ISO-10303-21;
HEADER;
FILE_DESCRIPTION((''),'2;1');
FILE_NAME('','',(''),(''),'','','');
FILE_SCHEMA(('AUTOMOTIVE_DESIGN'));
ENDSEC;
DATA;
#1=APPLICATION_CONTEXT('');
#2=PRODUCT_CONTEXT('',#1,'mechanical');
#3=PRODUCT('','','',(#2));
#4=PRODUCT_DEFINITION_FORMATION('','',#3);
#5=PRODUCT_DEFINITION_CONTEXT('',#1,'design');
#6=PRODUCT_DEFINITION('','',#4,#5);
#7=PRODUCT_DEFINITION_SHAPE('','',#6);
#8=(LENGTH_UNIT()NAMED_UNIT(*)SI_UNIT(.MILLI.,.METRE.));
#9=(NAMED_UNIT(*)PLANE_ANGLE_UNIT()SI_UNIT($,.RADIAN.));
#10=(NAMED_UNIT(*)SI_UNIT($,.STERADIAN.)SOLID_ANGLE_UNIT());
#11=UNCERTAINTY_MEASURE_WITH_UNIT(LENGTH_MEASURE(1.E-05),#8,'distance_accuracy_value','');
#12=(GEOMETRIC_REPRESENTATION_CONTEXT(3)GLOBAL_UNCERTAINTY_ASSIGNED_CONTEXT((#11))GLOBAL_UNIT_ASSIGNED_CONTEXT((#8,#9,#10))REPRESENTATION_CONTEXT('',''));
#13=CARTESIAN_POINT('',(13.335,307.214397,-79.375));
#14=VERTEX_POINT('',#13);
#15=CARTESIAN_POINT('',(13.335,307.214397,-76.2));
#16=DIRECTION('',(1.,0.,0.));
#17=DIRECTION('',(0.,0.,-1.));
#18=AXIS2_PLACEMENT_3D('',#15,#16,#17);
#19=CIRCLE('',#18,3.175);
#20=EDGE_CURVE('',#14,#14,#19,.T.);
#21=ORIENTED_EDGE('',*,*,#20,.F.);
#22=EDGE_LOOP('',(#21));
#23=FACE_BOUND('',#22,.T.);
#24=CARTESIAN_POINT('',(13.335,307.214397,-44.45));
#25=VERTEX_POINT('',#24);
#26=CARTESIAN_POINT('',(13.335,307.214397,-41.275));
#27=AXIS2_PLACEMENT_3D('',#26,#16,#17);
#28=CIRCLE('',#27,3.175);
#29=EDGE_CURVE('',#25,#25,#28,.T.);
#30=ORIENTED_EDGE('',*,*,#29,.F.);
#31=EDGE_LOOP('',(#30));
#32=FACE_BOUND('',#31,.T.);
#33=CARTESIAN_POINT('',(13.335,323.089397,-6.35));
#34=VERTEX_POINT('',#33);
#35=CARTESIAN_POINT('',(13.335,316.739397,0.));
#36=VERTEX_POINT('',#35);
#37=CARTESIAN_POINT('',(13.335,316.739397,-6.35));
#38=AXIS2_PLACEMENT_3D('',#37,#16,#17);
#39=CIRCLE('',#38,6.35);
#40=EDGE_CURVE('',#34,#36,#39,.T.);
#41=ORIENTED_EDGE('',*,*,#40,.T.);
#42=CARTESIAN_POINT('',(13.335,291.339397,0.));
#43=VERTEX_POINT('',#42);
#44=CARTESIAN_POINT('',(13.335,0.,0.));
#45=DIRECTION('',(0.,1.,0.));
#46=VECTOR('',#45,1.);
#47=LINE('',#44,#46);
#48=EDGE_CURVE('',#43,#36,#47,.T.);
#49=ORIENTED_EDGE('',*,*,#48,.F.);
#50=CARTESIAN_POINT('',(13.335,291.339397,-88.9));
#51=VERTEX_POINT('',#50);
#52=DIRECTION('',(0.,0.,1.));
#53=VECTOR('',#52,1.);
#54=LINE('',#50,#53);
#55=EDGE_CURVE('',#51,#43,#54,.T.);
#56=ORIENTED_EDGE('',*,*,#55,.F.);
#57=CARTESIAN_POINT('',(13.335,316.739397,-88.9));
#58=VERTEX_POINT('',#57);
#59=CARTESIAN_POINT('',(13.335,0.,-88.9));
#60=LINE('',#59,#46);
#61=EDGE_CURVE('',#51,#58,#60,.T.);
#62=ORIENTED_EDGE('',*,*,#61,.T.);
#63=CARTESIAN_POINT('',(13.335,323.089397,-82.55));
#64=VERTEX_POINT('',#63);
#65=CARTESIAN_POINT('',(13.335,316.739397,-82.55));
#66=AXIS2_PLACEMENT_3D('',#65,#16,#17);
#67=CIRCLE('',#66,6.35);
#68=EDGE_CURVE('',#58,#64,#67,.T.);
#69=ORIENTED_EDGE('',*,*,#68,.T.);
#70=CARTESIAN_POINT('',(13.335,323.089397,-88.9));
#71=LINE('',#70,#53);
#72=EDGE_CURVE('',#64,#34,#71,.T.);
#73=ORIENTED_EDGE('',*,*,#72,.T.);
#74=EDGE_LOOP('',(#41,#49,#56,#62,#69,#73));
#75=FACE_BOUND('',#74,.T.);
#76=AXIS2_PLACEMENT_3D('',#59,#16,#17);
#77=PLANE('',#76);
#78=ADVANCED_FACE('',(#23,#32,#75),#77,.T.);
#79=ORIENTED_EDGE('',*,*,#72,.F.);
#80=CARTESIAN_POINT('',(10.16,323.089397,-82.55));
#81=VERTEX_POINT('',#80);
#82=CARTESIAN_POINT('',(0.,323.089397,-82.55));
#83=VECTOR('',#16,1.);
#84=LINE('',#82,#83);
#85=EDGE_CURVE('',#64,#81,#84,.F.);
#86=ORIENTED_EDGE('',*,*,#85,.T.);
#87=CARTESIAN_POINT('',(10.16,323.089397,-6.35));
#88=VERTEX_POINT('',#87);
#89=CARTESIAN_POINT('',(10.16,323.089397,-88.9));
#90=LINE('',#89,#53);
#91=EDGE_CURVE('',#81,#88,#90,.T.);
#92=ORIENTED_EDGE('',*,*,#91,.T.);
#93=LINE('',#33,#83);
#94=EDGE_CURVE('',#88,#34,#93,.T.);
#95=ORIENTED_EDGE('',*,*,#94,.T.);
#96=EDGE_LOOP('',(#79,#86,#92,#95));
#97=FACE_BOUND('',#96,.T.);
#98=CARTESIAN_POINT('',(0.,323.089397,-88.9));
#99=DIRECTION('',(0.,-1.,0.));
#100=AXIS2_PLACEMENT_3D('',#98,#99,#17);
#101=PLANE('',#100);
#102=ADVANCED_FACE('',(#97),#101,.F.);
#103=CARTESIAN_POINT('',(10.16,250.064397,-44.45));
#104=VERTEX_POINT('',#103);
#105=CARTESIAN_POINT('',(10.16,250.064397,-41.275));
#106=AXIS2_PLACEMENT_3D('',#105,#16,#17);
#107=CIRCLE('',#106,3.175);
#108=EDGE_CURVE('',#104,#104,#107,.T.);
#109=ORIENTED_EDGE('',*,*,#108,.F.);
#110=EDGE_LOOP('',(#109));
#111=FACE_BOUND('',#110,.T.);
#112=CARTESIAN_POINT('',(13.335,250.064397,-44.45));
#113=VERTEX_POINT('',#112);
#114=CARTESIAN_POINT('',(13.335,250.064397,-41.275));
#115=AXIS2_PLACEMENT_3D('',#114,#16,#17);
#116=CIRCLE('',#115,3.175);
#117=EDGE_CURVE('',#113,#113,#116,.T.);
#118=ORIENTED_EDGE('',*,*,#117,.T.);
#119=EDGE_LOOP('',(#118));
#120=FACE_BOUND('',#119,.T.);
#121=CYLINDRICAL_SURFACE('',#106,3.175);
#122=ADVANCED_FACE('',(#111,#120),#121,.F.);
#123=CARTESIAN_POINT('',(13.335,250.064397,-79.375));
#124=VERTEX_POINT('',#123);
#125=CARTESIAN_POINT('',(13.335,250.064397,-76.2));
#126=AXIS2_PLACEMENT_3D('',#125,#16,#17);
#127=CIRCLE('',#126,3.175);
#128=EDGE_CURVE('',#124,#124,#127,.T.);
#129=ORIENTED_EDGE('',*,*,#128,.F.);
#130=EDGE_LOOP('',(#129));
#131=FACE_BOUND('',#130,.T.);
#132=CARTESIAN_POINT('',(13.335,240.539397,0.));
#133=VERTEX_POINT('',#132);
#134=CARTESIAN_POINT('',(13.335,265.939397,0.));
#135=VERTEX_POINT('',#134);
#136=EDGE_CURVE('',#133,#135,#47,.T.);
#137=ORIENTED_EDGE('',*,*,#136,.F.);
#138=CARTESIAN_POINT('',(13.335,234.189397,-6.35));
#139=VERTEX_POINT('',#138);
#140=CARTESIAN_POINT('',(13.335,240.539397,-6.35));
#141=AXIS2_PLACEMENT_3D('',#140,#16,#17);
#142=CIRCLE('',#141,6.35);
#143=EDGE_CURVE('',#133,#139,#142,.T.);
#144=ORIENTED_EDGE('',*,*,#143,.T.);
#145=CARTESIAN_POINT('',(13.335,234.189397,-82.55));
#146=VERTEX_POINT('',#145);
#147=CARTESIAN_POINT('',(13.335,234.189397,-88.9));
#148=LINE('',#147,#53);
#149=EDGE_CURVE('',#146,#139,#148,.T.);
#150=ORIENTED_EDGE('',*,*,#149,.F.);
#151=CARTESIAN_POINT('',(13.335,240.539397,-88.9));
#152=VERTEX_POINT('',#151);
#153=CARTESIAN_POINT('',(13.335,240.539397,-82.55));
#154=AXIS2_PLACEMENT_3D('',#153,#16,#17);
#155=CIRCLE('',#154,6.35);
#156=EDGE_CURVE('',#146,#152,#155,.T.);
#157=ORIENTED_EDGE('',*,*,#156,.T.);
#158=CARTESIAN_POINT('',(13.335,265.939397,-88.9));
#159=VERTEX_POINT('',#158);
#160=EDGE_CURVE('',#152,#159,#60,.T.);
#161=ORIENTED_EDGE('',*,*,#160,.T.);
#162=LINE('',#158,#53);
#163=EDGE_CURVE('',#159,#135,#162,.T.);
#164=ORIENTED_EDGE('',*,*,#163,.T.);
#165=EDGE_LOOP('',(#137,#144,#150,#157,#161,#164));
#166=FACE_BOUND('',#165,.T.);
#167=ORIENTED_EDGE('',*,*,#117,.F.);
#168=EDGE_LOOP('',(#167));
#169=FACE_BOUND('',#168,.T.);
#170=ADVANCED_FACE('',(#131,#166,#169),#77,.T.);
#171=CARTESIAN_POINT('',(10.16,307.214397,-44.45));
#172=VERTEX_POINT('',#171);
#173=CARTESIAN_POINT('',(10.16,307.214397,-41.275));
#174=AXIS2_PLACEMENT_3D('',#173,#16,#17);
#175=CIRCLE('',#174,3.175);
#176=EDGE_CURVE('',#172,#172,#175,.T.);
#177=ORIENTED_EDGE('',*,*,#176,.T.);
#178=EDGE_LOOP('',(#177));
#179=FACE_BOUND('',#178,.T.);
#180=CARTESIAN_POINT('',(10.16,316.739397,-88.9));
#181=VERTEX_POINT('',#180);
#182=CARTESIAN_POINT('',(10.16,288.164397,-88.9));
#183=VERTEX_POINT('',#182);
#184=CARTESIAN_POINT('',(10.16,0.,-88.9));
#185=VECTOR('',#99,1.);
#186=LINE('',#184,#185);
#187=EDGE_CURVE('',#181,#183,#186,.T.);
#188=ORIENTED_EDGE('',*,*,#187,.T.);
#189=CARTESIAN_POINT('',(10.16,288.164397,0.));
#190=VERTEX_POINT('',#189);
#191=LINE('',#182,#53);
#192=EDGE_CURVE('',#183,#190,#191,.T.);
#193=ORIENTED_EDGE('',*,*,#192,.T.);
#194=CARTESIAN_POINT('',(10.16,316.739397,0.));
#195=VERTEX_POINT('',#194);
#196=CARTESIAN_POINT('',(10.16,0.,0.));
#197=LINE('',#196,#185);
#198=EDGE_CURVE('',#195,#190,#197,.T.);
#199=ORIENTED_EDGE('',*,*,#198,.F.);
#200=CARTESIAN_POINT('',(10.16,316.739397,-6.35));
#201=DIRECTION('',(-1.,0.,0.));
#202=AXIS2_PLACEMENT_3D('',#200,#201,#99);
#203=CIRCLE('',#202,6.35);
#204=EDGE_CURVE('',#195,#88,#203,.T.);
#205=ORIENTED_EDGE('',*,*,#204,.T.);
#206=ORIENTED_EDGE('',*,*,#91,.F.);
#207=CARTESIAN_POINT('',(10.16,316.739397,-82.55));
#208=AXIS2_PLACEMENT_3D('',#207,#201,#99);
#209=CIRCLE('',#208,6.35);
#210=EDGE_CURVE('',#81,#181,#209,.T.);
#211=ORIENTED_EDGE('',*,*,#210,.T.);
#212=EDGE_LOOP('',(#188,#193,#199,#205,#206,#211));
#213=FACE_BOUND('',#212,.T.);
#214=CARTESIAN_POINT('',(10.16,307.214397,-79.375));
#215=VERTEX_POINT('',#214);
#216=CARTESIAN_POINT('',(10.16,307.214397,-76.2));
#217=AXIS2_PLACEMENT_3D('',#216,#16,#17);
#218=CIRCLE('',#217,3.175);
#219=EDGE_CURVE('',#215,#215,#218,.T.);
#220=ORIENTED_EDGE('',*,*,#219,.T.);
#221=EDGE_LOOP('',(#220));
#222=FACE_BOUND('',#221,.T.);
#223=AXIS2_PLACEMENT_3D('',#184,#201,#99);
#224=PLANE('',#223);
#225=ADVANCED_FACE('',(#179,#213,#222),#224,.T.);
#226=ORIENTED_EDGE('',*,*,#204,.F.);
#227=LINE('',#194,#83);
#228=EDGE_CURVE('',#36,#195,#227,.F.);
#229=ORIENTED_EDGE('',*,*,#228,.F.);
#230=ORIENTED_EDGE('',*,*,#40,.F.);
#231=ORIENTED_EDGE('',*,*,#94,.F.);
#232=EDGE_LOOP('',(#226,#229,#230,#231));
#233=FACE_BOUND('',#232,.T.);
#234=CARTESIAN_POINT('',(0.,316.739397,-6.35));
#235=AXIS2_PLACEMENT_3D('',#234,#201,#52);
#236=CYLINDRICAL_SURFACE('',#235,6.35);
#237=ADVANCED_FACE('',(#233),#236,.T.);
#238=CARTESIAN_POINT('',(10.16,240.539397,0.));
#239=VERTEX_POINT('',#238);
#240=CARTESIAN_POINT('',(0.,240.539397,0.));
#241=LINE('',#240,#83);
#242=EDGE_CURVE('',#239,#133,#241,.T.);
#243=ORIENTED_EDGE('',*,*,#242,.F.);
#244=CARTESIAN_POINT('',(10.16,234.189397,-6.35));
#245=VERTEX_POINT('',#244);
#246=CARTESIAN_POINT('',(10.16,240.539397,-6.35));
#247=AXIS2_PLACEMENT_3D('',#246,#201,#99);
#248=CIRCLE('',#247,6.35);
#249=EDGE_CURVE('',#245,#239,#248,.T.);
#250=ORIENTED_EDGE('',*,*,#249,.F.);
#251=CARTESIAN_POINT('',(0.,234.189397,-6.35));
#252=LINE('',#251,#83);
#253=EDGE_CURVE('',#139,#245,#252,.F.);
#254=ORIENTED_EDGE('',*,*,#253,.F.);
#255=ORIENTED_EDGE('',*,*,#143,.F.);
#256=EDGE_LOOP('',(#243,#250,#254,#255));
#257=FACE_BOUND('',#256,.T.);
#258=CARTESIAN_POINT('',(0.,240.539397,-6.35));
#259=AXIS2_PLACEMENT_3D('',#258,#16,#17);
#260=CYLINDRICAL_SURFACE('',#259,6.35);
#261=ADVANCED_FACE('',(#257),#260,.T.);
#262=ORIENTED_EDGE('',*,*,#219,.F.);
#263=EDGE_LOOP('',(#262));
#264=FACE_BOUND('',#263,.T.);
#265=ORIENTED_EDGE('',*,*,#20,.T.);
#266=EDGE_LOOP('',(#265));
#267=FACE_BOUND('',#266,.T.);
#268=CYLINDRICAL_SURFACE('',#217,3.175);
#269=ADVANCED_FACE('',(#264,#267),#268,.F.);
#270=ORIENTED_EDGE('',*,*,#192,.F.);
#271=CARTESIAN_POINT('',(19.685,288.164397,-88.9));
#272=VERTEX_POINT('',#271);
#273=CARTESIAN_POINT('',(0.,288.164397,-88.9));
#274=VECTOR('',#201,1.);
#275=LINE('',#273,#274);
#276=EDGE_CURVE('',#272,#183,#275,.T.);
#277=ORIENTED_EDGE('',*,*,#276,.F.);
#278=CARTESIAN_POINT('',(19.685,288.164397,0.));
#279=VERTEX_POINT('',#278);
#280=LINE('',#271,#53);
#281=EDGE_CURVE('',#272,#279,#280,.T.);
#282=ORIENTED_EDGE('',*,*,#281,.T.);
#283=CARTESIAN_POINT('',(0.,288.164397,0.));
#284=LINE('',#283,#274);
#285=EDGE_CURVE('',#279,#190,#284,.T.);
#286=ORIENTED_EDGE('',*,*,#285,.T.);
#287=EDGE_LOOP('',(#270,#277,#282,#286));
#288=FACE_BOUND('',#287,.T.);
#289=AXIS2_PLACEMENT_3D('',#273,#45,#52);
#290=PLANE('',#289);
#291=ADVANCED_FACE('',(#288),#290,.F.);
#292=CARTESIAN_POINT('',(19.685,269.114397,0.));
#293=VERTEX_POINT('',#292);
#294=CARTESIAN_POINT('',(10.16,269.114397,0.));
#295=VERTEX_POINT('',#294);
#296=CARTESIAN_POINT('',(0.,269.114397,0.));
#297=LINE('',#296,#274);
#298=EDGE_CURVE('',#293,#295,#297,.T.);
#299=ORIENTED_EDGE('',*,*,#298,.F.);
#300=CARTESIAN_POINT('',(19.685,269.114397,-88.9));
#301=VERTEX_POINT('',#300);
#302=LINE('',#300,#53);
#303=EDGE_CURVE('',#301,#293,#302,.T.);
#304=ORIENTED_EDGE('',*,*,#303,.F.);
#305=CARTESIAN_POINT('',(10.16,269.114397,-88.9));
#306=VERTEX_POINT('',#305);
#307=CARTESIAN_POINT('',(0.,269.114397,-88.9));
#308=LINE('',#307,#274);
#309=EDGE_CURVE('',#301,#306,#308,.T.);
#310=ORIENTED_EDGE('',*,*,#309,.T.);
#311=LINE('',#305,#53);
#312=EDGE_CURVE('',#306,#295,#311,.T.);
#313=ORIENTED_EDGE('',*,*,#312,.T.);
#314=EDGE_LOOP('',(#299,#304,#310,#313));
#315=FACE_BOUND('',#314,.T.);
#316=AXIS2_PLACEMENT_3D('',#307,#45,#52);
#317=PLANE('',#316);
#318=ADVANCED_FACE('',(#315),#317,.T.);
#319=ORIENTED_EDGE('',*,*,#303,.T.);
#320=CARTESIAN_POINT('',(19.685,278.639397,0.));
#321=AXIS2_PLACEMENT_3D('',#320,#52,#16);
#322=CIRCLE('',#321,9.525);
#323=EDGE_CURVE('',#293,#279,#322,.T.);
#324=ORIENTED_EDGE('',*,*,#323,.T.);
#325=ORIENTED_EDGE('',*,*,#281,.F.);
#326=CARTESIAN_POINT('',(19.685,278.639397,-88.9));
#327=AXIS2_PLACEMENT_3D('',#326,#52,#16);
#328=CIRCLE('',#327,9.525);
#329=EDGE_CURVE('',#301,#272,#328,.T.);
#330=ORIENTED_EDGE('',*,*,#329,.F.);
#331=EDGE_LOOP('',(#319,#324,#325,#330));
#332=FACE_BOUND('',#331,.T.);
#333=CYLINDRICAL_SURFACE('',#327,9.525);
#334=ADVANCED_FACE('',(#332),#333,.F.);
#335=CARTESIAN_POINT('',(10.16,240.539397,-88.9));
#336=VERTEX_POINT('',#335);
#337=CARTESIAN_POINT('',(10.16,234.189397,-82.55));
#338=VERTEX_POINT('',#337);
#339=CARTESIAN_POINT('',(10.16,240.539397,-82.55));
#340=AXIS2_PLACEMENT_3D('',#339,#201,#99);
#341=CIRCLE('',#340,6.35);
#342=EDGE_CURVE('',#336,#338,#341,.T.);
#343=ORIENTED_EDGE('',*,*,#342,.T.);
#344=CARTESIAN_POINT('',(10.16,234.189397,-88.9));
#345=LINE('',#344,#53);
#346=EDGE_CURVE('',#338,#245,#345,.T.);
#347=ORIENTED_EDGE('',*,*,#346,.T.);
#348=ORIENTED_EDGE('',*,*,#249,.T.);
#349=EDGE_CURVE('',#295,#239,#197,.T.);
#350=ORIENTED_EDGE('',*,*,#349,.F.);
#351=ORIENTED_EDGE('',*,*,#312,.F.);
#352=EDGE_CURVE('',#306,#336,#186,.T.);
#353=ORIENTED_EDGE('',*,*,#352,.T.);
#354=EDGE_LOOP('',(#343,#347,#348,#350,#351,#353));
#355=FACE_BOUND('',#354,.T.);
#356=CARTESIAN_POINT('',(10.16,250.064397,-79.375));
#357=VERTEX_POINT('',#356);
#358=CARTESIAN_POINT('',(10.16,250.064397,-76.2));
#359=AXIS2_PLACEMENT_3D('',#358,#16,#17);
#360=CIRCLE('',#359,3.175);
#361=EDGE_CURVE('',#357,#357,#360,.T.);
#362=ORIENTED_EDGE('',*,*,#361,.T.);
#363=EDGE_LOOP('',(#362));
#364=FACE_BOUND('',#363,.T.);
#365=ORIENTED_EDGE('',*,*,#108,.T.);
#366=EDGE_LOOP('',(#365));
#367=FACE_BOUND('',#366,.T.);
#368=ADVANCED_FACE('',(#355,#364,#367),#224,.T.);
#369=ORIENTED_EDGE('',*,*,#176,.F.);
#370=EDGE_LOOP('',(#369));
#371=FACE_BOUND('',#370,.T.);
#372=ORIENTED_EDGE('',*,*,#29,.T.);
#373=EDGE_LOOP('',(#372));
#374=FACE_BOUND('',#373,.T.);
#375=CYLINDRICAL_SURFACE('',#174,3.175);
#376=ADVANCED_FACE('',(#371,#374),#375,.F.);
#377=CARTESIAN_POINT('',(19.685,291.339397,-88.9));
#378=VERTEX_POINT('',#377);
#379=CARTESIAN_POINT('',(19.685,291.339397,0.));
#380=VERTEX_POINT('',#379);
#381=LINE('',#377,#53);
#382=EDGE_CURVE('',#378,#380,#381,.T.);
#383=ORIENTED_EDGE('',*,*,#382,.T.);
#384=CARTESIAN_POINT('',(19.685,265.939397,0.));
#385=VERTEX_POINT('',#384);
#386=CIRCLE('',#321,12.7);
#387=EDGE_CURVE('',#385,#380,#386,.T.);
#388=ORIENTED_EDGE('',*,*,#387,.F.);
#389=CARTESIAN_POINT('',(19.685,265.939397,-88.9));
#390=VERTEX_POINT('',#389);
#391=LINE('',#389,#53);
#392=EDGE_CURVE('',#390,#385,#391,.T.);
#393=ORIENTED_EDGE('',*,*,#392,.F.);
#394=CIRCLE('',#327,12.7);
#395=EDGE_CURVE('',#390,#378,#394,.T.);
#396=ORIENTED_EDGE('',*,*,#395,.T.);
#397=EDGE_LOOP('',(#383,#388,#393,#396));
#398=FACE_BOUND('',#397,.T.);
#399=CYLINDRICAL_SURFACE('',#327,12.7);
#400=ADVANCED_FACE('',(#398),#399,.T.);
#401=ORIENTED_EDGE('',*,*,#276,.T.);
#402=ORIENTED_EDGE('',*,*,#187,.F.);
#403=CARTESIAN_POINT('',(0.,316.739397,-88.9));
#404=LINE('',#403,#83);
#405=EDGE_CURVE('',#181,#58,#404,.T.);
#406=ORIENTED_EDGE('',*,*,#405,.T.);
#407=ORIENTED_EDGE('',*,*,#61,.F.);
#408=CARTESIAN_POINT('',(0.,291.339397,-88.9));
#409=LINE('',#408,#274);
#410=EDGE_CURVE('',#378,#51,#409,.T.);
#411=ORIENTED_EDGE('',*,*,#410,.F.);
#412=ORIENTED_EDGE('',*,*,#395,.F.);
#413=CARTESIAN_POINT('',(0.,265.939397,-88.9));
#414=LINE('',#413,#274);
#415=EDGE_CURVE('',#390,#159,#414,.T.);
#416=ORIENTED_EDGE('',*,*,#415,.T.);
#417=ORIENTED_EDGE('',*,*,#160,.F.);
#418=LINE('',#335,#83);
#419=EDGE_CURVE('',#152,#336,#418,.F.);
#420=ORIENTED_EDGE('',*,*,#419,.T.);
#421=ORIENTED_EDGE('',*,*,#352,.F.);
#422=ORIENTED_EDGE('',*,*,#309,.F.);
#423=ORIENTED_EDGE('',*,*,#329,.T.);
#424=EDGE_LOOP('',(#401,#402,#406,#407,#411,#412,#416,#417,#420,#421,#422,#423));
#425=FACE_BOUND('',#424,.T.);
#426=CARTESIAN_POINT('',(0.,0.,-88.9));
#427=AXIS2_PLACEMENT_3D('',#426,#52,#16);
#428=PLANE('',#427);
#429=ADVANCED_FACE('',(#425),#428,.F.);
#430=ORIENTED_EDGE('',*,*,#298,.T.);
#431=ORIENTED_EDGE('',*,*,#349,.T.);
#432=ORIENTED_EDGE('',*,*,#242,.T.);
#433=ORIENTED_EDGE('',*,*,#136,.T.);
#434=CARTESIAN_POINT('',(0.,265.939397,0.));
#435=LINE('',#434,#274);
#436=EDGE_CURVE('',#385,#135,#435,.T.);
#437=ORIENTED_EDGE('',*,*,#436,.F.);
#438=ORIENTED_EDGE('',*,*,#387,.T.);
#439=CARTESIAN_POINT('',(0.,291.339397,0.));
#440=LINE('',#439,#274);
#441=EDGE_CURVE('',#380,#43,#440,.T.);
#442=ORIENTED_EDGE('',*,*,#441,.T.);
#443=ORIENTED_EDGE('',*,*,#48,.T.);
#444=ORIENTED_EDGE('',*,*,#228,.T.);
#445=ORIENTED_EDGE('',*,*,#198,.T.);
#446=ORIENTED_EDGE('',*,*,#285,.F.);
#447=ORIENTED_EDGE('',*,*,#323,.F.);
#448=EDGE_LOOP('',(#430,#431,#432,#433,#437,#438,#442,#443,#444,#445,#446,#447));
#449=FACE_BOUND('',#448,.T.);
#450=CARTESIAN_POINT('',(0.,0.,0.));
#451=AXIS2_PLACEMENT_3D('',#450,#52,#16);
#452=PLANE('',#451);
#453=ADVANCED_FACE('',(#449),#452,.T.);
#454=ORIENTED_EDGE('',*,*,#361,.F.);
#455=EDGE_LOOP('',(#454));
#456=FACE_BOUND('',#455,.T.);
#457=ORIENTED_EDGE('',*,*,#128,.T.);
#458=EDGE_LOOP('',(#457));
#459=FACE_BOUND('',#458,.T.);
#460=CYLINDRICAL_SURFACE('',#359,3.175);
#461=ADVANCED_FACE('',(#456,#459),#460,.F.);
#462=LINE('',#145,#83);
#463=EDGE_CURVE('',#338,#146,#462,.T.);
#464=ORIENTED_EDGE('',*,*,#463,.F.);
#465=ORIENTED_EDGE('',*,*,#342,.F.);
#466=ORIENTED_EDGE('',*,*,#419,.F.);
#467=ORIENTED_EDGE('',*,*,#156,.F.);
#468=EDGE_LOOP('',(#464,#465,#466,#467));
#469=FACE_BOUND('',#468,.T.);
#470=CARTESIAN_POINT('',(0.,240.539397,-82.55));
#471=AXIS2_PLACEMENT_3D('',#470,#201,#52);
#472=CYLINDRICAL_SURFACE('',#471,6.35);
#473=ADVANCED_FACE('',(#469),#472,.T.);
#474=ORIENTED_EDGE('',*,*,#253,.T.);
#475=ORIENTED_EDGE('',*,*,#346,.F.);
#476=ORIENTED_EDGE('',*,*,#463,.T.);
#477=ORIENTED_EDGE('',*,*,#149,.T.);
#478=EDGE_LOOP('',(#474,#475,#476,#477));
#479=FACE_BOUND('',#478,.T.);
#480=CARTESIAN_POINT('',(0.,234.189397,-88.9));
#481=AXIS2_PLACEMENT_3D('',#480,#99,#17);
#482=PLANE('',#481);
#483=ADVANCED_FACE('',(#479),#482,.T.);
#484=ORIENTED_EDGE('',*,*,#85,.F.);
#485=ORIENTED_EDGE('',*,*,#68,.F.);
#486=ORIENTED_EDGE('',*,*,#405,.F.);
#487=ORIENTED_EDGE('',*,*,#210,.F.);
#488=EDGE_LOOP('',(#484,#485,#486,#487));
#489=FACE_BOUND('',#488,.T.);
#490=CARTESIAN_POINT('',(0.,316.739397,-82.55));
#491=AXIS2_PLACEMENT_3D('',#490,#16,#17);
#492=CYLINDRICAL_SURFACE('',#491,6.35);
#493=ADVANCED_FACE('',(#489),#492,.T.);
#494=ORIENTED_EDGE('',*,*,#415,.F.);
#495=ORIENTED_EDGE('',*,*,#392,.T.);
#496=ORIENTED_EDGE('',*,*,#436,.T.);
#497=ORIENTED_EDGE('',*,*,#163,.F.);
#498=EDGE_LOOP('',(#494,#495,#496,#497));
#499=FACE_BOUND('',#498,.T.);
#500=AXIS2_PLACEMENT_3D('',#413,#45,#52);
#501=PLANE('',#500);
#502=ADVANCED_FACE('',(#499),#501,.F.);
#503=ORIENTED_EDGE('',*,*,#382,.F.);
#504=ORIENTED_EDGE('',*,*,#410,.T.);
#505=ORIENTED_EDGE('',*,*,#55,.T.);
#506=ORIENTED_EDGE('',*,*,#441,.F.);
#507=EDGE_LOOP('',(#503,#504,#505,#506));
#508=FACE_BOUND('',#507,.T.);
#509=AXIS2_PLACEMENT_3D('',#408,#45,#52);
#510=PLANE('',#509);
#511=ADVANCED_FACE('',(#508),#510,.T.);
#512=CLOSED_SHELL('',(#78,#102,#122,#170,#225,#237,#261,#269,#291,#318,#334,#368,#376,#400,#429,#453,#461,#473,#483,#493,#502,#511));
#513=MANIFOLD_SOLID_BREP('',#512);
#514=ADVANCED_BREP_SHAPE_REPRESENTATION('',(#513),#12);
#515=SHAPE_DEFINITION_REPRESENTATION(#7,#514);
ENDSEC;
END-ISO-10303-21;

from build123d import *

# Parameters (mm, degrees)
BOSS_EXTRUDE1_DEPTH = 88.9
SKETCH2_R           = 3.175
CUT_EXTRUDE1_DEPTH  = 4.175
FILLET1_R           = 6.35


with BuildPart() as part:
    # Sketch1 → Boss-Extrude1 (new body)
    with BuildSketch(Plane.XY):
        with BuildLine():
            Line((13.335, 323.089397322), (10.16, 323.089397322))
            Line((10.16, 323.089397322), (10.16, 288.164397322))
            Line((10.16, 288.164397322), (19.685, 288.164397322))
            ThreePointArc((19.685, 288.164397322), (29.21, 278.639397322), (19.685, 269.114397322))
            Line((19.685, 269.114397322), (10.16, 269.114397322))
            Line((10.16, 269.114397322), (10.16, 234.189397322))
            Line((10.16, 234.189397322), (13.335, 234.189397322))
            Line((13.335, 234.189397322), (13.335, 265.939397322))
            Line((13.335, 265.939397322), (19.685, 265.939397322))
            ThreePointArc((19.685, 265.939397322), (32.385, 278.639397322), (19.685, 291.339397322))
            Line((19.685, 291.339397322), (13.335, 291.339397322))
            Line((13.335, 291.339397322), (13.335, 323.089397322))
        make_face()
    extrude(amount=-BOSS_EXTRUDE1_DEPTH)

    # Sketch2 → Cut-Extrude1 (cut, through all)
    with BuildSketch(Plane(origin=(13.335, 0, 0), x_dir=(0, 0, -1), z_dir=(1, 0, 0))):
        with Locations((41.275, 250.064397322)):
            Circle(SKETCH2_R)
        with Locations((76.2, 250.064397322)):
            Circle(SKETCH2_R)
        with Locations((76.2, 307.214397322)):
            Circle(SKETCH2_R)
        with Locations((41.275, 307.214397322)):
            Circle(SKETCH2_R)
    extrude(amount=-CUT_EXTRUDE1_DEPTH, mode=Mode.SUBTRACT)

    # Fillet1
    fillet1_edges = [part.edges().sort_by_distance(p)[0] for p in [
        (11.7475, 323.089397322, 0),
        (11.7475, 234.189397322, 0),
        (11.7475, 234.189397322, -88.9),
        (11.7475, 323.089397322, -88.9),
    ]]
    fillet(fillet1_edges, radius=FILLET1_R)


solid = part.part
